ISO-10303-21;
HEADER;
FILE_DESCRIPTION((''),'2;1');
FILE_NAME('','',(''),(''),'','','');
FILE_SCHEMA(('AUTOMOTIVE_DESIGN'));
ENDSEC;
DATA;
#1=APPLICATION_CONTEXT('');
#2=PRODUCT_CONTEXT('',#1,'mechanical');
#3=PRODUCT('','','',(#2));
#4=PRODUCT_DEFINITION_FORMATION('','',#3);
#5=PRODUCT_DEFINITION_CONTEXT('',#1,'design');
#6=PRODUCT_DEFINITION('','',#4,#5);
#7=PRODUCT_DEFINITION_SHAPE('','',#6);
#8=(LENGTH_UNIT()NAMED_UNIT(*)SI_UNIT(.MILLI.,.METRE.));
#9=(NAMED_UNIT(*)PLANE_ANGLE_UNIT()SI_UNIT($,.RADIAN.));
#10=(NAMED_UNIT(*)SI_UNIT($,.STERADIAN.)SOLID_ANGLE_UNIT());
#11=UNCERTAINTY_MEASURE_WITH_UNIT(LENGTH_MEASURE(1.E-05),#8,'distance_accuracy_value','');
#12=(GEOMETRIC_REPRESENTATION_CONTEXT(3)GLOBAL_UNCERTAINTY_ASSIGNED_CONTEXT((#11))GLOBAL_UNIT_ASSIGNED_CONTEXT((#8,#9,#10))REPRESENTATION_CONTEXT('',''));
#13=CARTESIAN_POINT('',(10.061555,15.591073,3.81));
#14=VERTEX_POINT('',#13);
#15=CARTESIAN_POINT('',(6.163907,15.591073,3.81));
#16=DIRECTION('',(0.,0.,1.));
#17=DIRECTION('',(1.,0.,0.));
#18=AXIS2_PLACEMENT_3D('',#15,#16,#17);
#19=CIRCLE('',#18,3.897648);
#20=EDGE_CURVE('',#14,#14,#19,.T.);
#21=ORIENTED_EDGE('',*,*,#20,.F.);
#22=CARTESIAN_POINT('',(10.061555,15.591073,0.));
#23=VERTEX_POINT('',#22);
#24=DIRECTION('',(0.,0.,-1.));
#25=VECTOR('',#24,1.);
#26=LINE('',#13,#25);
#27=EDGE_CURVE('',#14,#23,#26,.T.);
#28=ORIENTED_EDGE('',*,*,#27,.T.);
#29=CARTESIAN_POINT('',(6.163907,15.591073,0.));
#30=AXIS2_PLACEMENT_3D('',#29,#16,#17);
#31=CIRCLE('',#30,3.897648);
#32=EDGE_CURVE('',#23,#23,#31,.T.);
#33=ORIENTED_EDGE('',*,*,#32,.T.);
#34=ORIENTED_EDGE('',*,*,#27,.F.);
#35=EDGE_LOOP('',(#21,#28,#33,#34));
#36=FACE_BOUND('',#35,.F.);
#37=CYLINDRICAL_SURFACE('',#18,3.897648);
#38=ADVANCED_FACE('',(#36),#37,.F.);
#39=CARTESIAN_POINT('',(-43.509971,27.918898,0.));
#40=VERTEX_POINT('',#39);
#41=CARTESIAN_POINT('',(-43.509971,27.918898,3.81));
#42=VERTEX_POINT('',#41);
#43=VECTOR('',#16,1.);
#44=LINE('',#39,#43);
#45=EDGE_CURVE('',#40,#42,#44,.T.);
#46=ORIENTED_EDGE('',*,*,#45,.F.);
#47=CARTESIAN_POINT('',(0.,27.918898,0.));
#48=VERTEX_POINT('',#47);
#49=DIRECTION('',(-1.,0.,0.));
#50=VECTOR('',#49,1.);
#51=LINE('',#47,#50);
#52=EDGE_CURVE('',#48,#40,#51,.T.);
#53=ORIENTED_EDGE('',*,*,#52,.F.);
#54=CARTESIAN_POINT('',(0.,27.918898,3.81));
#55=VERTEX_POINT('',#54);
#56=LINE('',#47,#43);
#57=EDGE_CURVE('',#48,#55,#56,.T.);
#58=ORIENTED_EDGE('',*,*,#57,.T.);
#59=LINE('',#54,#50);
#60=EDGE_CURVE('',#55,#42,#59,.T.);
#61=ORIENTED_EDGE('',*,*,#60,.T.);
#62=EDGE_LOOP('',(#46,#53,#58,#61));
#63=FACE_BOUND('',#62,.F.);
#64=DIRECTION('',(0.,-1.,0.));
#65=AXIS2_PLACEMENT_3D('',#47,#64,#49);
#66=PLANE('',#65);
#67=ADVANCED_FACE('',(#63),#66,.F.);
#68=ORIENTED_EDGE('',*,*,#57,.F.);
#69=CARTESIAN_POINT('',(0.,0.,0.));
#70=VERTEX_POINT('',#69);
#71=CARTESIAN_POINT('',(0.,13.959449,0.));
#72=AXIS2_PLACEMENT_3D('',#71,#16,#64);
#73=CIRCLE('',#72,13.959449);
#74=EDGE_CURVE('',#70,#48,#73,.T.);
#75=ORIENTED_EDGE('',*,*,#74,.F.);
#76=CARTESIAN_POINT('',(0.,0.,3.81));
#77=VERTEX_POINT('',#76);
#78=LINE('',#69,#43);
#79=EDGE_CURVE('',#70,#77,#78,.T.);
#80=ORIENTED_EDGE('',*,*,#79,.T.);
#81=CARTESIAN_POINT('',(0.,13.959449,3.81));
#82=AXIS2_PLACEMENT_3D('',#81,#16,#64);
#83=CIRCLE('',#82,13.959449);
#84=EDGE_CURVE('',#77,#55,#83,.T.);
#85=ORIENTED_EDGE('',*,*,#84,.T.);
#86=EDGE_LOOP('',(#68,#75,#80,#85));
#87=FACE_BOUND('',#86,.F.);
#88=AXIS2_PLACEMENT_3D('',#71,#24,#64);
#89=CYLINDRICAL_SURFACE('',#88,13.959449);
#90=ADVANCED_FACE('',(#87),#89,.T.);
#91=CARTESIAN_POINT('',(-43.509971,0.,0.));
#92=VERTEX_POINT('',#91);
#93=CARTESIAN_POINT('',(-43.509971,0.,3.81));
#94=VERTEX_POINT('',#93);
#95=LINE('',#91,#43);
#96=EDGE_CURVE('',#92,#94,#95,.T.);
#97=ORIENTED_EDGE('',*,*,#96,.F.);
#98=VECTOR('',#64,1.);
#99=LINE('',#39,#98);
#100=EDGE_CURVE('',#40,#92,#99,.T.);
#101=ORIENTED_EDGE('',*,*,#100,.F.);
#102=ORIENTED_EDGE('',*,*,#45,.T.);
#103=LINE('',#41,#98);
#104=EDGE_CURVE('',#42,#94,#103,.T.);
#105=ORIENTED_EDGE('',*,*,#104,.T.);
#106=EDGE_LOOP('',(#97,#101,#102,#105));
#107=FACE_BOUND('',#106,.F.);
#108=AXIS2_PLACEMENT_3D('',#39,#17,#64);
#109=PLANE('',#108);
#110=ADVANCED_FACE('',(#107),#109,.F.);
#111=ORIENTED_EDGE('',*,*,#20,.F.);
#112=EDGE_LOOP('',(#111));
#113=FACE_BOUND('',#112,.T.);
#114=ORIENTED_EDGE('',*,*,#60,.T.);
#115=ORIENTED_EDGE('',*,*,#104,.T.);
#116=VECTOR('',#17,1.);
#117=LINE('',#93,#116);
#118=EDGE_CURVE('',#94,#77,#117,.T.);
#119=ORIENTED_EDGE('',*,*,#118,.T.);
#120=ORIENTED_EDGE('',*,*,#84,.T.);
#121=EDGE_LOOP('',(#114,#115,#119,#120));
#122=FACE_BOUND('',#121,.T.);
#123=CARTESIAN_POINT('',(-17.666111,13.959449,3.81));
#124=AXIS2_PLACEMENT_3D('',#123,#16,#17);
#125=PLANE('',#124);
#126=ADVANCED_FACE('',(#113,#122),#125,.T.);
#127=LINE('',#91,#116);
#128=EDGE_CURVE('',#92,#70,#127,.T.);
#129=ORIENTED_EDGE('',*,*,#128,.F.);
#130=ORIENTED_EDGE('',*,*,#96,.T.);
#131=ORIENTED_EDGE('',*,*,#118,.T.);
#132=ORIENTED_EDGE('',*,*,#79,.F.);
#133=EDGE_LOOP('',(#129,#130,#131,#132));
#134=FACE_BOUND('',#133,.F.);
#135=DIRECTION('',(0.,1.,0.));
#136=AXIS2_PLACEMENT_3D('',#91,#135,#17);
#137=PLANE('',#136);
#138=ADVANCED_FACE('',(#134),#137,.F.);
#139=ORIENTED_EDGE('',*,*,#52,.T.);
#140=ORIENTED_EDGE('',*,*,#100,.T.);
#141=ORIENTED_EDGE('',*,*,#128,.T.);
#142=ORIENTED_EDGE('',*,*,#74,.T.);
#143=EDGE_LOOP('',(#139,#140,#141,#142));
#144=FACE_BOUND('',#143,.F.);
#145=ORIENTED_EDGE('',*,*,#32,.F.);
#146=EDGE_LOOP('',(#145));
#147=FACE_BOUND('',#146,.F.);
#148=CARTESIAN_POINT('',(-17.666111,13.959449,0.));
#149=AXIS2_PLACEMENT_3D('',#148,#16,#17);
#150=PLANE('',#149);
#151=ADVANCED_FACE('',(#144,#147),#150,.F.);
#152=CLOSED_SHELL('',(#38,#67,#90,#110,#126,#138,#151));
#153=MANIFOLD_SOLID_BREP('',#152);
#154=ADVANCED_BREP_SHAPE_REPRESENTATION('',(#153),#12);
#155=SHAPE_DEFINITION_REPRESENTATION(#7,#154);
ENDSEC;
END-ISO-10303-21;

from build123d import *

# Parameters (mm, degrees)
F1_DEPTH = 3.81
F2_R     = 3.897648
F3_DEPTH = 25.4


with BuildPart() as f1:
    # F0 (on Top) → F1 (new body)
    with BuildSketch(Plane.XY):
        with BuildLine():
            Line((-43.509971, 0), (0, 0))
            ThreePointArc((0, 0), (13.959449, 13.959449), (0, 27.918898))
            Line((0, 27.918898), (-43.509971, 27.918898))
            Line((-43.509971, 27.918898), (-43.509971, 0))
        make_face()
    extrude(amount=F1_DEPTH)

    # F2 (on face) → F3 (cut)
    with BuildSketch(Plane.XY.offset(3.81)):
        with Locations((6.163907, 15.591073)):
            Circle(F2_R)
    extrude(amount=-F3_DEPTH, mode=Mode.SUBTRACT)


solid = f1.part
